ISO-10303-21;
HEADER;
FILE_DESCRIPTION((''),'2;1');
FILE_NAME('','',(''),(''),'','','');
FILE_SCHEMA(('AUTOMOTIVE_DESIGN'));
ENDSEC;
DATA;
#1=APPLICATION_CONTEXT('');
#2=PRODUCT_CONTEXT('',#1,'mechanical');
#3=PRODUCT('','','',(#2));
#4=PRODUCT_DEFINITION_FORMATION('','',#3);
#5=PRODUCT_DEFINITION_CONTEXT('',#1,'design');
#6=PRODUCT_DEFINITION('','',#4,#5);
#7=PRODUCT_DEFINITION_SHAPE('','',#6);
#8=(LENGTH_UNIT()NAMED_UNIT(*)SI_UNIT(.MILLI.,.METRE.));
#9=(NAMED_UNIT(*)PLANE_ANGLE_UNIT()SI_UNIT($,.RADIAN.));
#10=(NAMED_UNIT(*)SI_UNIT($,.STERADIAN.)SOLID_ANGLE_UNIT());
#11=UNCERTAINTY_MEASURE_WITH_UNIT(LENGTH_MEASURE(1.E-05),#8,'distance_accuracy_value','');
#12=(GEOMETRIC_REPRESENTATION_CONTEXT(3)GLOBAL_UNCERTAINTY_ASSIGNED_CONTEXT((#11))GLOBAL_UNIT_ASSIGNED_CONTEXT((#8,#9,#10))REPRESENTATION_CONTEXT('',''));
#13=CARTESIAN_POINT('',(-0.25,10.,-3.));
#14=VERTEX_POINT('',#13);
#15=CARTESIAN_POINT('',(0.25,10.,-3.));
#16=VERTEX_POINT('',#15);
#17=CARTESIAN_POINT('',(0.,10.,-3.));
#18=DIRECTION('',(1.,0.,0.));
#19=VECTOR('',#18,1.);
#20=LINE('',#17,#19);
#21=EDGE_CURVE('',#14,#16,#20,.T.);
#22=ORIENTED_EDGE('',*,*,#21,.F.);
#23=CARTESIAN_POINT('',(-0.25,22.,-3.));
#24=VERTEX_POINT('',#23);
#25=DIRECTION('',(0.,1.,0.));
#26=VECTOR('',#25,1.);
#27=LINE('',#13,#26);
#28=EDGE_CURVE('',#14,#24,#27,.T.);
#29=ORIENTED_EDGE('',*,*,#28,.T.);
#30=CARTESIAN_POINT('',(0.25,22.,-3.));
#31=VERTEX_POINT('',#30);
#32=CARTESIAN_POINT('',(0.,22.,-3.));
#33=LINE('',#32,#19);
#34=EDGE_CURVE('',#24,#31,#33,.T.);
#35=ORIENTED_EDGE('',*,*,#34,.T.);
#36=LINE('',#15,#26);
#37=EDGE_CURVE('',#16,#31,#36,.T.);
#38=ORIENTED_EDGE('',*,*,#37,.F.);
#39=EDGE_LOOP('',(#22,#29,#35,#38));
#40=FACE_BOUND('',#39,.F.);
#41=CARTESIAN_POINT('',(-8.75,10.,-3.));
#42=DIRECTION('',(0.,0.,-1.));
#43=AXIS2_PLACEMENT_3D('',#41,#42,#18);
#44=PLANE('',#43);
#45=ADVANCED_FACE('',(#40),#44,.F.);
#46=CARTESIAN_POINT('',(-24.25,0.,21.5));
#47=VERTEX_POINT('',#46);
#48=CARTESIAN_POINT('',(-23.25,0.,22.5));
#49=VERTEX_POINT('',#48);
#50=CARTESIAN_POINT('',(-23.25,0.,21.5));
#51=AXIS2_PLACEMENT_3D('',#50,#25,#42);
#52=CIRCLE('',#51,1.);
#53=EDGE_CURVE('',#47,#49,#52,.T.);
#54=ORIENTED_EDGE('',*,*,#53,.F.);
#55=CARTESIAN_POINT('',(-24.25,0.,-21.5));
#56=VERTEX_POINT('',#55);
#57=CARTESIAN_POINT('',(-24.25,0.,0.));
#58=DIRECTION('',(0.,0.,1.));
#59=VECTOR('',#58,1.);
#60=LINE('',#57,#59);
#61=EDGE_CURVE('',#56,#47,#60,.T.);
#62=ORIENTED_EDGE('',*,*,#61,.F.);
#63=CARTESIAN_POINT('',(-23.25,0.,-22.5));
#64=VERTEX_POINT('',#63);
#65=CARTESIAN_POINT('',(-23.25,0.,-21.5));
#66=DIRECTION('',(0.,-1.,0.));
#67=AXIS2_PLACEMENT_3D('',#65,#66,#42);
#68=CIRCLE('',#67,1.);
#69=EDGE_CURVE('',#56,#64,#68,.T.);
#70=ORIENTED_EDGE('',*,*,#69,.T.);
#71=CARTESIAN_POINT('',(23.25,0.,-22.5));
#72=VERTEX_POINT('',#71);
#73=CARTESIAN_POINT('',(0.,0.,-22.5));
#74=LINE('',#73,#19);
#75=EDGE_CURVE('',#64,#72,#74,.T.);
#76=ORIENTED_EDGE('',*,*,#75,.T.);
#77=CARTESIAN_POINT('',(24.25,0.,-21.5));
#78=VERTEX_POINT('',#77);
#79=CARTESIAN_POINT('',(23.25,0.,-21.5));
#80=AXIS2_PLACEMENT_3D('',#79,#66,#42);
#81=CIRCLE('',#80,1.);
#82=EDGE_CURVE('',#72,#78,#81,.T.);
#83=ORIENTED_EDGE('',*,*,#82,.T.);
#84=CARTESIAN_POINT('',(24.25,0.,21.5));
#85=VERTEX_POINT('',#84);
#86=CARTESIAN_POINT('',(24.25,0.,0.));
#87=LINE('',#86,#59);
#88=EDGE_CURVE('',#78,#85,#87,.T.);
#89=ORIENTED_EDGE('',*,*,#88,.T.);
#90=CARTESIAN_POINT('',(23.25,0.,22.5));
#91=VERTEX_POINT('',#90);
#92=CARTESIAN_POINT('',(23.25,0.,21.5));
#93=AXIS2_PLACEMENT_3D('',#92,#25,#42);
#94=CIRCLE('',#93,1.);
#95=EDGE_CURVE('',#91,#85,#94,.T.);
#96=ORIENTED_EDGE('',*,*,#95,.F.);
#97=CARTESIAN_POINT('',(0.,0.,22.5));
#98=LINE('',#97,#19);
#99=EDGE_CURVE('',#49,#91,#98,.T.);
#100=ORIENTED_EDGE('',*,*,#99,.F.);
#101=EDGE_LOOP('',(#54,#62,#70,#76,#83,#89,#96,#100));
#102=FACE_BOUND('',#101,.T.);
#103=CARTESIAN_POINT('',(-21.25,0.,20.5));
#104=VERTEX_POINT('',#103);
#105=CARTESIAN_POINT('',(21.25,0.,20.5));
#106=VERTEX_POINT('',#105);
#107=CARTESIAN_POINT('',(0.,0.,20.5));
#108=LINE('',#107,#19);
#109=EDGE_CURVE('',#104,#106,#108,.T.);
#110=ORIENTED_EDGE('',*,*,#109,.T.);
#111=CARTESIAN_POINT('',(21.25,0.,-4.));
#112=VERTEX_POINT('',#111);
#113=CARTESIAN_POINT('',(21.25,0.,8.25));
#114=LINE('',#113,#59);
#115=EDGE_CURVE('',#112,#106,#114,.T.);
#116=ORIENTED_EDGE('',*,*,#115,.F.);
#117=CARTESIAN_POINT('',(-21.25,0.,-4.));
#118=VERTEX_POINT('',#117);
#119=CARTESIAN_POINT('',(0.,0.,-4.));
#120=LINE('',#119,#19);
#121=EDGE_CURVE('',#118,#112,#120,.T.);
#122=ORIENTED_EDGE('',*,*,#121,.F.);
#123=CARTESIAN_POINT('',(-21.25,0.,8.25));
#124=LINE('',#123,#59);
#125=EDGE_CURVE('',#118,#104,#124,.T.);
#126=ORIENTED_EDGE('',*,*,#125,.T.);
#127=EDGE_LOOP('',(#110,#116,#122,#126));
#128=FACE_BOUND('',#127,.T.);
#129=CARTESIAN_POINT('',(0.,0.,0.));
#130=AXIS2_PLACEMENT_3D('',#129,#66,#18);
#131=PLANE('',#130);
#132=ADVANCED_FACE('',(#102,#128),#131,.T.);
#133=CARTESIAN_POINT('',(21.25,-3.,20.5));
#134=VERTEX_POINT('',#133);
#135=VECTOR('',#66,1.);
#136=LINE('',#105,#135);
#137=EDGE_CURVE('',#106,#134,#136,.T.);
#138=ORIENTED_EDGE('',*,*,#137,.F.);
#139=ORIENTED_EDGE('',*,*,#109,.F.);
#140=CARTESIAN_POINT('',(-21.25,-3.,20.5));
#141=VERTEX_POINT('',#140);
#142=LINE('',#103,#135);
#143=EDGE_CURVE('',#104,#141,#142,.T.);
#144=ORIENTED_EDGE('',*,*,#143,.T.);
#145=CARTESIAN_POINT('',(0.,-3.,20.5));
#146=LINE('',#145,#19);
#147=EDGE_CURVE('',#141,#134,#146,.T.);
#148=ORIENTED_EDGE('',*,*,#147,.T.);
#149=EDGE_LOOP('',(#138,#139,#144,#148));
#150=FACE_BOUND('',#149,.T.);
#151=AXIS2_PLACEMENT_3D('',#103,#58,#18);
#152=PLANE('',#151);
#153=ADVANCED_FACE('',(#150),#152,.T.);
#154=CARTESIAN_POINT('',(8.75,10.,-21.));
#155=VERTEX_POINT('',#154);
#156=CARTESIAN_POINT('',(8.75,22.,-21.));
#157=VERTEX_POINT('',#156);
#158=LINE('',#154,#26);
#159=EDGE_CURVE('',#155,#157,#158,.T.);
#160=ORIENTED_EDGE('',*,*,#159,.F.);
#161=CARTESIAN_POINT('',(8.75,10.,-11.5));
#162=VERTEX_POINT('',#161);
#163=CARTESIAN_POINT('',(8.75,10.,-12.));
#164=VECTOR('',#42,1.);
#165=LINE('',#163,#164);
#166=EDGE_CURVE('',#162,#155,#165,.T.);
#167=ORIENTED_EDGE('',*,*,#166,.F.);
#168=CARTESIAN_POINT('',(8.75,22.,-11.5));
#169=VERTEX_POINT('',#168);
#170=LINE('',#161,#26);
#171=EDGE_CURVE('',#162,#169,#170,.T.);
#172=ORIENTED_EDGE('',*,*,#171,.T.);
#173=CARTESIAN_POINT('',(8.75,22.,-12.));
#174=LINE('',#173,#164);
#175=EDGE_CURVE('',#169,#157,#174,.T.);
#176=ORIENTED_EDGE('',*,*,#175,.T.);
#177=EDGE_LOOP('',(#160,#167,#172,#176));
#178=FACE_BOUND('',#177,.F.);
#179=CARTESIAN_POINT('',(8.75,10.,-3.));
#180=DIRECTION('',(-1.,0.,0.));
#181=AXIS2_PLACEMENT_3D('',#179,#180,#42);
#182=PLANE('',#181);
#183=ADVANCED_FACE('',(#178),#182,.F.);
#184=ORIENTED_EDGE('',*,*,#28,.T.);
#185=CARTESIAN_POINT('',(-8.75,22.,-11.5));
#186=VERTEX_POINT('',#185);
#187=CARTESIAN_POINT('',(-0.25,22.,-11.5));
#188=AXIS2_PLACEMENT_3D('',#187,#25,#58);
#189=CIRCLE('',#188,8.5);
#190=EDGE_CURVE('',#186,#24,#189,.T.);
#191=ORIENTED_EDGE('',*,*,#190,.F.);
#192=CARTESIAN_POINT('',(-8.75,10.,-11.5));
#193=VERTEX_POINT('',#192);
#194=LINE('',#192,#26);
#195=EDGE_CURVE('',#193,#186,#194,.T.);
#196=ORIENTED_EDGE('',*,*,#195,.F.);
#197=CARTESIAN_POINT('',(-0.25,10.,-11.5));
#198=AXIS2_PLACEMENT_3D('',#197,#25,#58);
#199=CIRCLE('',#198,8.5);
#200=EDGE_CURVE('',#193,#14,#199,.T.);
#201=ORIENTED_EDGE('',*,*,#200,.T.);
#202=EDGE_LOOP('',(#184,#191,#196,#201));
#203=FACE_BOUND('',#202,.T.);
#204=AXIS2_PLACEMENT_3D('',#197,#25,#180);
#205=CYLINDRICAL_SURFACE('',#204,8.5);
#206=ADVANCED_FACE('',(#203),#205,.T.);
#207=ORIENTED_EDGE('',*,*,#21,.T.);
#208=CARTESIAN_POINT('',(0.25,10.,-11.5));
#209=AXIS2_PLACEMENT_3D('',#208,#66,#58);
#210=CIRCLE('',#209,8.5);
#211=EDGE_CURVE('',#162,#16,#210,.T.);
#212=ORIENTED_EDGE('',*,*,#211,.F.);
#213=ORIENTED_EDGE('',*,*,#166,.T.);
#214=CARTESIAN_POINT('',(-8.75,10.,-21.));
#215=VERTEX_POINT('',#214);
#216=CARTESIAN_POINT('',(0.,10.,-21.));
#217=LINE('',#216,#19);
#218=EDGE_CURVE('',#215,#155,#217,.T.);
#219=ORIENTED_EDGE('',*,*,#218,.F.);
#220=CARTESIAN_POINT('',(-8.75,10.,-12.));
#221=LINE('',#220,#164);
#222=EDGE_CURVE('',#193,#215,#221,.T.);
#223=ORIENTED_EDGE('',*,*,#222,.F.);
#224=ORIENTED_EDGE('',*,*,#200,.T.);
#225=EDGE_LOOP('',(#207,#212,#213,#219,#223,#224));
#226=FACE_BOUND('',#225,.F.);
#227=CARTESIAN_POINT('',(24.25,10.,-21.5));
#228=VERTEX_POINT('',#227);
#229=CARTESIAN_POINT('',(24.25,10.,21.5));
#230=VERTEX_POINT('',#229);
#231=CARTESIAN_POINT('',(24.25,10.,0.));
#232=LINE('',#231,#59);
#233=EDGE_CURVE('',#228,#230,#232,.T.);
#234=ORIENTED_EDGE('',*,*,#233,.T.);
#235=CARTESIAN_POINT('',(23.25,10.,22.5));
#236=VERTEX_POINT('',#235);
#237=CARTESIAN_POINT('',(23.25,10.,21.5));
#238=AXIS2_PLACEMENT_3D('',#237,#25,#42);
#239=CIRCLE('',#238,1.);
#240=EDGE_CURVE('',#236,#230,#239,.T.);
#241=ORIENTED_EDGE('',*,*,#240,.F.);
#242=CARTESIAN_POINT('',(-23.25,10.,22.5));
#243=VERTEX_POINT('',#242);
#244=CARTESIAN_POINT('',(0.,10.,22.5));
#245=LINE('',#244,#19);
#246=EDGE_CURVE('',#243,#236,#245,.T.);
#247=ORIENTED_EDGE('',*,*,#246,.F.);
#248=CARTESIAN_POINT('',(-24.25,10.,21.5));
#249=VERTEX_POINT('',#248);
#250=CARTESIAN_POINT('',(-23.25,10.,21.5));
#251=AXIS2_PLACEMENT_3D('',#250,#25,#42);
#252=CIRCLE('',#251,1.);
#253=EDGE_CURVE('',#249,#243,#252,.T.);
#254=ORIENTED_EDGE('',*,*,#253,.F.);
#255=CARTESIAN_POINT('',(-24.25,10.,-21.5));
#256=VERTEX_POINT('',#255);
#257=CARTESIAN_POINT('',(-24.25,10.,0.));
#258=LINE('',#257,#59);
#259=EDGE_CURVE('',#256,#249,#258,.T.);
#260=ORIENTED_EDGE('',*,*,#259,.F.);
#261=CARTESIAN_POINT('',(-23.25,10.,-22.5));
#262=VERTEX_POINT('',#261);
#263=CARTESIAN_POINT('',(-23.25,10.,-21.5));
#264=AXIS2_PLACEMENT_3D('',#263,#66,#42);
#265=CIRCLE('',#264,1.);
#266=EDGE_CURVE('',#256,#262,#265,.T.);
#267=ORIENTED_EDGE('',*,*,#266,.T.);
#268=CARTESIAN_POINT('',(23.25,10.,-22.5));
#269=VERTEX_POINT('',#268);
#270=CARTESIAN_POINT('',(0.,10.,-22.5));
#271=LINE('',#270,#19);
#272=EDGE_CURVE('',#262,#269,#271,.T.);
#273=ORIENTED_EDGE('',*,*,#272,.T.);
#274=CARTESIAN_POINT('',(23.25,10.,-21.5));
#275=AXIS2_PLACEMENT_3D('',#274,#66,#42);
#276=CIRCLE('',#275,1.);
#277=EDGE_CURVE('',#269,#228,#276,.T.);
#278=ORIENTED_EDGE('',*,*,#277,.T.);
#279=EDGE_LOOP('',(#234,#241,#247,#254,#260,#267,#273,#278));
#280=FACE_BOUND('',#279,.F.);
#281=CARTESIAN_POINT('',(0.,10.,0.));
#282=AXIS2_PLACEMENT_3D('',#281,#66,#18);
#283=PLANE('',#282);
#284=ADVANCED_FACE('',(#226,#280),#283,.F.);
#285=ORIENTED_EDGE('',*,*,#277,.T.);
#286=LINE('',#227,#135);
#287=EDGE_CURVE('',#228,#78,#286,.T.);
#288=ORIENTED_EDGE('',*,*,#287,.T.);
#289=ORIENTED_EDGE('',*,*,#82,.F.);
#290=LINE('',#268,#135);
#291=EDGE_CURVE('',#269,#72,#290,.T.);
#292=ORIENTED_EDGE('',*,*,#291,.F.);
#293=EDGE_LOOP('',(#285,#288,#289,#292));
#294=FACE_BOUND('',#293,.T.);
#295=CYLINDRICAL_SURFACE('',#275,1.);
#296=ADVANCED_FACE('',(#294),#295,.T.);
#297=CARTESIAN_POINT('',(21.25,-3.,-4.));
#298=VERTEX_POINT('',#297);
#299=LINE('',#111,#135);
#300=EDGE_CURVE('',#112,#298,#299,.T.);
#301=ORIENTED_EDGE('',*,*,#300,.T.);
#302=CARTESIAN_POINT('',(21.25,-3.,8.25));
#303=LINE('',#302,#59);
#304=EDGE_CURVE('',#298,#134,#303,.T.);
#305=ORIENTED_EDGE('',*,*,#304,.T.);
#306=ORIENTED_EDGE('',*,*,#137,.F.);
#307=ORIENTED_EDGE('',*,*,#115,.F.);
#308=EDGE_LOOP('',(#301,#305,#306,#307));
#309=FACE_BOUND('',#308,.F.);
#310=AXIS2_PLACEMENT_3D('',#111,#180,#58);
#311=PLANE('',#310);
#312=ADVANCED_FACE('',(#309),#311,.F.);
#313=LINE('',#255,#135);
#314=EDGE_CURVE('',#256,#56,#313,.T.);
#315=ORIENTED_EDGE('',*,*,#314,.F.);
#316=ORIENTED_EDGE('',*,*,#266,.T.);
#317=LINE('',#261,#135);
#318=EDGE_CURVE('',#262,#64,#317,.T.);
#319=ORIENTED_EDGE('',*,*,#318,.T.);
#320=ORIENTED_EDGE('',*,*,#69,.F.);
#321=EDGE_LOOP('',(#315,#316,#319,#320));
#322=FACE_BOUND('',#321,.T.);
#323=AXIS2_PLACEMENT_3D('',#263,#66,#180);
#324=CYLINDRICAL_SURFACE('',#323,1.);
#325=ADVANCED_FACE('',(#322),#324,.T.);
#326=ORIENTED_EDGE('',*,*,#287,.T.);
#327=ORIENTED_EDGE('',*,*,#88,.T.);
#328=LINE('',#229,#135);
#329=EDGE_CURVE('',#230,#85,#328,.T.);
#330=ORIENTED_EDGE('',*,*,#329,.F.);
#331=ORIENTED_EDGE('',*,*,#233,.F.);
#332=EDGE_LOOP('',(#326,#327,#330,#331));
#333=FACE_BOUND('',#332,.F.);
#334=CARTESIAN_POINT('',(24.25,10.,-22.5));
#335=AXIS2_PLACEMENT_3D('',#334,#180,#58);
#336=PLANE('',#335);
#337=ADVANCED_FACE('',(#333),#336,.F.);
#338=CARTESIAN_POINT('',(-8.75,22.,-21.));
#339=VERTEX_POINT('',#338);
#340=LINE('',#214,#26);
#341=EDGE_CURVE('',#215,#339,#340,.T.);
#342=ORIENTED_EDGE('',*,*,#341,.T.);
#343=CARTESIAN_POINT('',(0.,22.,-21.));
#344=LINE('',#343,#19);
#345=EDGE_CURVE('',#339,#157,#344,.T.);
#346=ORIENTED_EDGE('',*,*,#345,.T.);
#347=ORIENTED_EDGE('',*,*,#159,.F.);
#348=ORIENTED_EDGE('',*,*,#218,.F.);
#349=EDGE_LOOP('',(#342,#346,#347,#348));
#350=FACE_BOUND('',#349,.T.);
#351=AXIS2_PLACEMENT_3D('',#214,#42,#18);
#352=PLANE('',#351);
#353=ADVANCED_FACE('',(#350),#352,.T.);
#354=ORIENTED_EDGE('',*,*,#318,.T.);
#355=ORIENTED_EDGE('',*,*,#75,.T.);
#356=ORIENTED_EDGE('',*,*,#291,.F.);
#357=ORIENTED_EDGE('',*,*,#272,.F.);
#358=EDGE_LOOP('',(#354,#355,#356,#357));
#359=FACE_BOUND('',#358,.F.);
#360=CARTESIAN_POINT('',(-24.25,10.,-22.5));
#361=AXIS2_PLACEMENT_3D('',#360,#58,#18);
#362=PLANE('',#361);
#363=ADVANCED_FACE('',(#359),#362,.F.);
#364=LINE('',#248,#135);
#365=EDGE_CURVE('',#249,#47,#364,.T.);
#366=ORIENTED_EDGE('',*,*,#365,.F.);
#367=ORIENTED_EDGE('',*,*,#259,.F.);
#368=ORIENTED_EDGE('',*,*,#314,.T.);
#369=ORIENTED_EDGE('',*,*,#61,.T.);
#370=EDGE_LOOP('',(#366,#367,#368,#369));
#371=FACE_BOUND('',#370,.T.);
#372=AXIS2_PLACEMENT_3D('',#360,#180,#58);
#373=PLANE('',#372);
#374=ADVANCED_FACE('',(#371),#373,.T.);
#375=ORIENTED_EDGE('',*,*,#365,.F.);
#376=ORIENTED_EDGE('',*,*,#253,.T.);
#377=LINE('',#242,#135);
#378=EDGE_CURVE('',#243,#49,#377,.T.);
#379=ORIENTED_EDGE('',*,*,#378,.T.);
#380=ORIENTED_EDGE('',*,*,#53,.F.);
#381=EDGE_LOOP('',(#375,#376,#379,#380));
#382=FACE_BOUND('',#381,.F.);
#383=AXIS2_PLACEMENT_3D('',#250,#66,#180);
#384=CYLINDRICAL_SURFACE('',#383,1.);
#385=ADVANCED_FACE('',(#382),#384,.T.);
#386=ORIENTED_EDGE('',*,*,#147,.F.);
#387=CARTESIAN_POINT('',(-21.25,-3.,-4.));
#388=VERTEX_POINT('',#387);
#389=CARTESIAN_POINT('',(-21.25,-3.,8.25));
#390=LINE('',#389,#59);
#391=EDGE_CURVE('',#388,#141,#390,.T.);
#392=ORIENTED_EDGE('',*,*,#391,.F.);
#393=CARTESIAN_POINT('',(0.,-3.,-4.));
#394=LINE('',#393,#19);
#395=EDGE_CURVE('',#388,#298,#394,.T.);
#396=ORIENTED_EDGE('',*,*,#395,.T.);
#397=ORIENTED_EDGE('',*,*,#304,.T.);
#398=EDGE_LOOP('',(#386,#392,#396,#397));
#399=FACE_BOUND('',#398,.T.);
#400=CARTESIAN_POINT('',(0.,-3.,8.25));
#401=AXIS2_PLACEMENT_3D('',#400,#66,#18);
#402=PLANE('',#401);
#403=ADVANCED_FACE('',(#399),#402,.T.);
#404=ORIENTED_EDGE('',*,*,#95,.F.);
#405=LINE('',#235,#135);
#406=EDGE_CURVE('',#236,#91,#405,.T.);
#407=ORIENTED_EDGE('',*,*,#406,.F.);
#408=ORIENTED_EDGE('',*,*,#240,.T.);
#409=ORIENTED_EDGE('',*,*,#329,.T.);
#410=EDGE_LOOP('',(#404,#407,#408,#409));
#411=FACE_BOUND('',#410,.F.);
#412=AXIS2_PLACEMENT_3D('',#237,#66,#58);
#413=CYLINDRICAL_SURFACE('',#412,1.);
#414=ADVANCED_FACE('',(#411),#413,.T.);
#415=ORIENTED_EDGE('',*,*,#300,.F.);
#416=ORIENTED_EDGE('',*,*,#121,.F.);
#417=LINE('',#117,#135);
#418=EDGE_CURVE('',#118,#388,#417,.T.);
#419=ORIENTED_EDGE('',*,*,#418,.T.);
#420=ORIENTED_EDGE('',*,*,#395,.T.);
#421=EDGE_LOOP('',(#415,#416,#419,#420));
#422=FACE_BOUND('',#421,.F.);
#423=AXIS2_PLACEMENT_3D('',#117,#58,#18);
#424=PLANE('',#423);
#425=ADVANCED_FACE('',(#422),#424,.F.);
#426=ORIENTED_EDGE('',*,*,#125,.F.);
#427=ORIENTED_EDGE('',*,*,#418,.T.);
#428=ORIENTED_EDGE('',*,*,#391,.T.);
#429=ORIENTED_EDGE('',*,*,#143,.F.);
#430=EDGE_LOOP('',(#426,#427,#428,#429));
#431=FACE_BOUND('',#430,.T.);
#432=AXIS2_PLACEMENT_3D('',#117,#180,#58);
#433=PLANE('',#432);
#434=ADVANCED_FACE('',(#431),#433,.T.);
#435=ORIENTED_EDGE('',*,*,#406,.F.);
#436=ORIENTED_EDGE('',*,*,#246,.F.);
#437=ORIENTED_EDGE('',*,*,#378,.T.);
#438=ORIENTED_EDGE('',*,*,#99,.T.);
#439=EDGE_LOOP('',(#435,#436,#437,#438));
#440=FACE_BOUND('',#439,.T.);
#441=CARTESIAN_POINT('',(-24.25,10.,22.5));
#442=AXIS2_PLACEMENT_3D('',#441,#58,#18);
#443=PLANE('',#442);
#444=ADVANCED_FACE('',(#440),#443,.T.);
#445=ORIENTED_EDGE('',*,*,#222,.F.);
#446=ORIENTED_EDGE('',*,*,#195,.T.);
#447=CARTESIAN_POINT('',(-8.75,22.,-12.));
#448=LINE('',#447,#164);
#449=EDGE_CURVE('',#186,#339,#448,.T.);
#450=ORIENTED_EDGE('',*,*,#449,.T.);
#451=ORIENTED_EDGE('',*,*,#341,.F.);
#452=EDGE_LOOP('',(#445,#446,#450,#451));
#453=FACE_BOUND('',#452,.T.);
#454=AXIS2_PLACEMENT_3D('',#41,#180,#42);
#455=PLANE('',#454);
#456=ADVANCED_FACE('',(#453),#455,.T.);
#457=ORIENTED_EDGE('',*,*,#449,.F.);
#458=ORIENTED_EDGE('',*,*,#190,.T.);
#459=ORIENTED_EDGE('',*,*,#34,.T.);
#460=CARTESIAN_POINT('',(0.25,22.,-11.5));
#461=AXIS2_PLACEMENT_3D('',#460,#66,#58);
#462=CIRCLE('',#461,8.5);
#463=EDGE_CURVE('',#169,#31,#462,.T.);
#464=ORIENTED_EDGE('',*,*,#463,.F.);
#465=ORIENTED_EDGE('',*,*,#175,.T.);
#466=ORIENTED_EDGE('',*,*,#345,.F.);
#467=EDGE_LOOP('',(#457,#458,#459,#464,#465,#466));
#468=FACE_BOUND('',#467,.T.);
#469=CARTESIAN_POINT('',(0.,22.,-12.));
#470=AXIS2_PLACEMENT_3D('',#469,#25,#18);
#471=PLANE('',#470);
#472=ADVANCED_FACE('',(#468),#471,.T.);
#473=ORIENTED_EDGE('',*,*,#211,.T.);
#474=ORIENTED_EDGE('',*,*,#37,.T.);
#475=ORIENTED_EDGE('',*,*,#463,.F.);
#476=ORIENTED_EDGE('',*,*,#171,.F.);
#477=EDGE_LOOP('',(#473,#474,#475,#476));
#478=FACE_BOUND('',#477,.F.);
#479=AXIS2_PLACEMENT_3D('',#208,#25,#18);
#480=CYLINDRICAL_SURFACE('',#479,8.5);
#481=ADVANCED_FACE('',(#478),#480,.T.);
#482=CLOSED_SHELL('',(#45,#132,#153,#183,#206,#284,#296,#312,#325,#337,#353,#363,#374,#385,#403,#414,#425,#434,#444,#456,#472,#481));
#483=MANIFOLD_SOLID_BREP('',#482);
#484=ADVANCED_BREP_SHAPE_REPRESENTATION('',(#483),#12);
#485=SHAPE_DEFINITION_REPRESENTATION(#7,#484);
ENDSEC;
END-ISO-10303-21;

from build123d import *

# Parameters (mm, degrees)
SKETCH002_W  = 48.5
SKETCH002_H  = 45
PAD_DEPTH    = 10
SKETCH003_W  = 42.5
SKETCH003_H  = 24.5
PAD002_DEPTH = 3
SKETCH004_W  = 17.5
SKETCH004_H  = 18
PAD003_DEPTH = 12
FILLET_R     = 1
FILLET001_R  = 8.5


with BuildPart() as part:
    # Sketch002 → Pad (new body)
    with BuildSketch(Plane.XZ):
        Rectangle(SKETCH002_W, SKETCH002_H)
    extrude(amount=PAD_DEPTH)

    # Sketch003 (on Face6 of Pad) → Pad002 (join)
    with BuildSketch(Plane.XZ.offset(10)):
        with Locations((0, 8.25)):
            Rectangle(SKETCH003_W, SKETCH003_H)
    extrude(amount=PAD002_DEPTH)

    # Sketch004 (on Face4 of Pad002) → Pad003 (join)
    with BuildSketch(Plane(origin=(0, 0, 0), x_dir=(1, 0, 0), z_dir=(0, 1, 0))):
        with Locations((0, 12)):
            Rectangle(SKETCH004_W, SKETCH004_H)
    extrude(amount=PAD003_DEPTH)

    # Fillet
    fillet_edges = [part.edges().sort_by_distance(p)[0] for p in [
        (24.25, -5, 22.5),
        (24.25, -5, -22.5),
        (-24.25, -5, 22.5),
        (-24.25, -5, -22.5),
    ]]
    fillet(fillet_edges, radius=FILLET_R)

    # Fillet001
    fillet001_edges = [part.edges().sort_by_distance(p)[0] for p in [
        (8.75, 6, -3),
        (-8.75, 6, -3),
    ]]
    fillet(fillet001_edges, radius=FILLET001_R)


with BuildPart() as part_1:
    # Body placement: moved
    add(part.part.moved(Location((0, 10, 0))))


solid = part_1.part
